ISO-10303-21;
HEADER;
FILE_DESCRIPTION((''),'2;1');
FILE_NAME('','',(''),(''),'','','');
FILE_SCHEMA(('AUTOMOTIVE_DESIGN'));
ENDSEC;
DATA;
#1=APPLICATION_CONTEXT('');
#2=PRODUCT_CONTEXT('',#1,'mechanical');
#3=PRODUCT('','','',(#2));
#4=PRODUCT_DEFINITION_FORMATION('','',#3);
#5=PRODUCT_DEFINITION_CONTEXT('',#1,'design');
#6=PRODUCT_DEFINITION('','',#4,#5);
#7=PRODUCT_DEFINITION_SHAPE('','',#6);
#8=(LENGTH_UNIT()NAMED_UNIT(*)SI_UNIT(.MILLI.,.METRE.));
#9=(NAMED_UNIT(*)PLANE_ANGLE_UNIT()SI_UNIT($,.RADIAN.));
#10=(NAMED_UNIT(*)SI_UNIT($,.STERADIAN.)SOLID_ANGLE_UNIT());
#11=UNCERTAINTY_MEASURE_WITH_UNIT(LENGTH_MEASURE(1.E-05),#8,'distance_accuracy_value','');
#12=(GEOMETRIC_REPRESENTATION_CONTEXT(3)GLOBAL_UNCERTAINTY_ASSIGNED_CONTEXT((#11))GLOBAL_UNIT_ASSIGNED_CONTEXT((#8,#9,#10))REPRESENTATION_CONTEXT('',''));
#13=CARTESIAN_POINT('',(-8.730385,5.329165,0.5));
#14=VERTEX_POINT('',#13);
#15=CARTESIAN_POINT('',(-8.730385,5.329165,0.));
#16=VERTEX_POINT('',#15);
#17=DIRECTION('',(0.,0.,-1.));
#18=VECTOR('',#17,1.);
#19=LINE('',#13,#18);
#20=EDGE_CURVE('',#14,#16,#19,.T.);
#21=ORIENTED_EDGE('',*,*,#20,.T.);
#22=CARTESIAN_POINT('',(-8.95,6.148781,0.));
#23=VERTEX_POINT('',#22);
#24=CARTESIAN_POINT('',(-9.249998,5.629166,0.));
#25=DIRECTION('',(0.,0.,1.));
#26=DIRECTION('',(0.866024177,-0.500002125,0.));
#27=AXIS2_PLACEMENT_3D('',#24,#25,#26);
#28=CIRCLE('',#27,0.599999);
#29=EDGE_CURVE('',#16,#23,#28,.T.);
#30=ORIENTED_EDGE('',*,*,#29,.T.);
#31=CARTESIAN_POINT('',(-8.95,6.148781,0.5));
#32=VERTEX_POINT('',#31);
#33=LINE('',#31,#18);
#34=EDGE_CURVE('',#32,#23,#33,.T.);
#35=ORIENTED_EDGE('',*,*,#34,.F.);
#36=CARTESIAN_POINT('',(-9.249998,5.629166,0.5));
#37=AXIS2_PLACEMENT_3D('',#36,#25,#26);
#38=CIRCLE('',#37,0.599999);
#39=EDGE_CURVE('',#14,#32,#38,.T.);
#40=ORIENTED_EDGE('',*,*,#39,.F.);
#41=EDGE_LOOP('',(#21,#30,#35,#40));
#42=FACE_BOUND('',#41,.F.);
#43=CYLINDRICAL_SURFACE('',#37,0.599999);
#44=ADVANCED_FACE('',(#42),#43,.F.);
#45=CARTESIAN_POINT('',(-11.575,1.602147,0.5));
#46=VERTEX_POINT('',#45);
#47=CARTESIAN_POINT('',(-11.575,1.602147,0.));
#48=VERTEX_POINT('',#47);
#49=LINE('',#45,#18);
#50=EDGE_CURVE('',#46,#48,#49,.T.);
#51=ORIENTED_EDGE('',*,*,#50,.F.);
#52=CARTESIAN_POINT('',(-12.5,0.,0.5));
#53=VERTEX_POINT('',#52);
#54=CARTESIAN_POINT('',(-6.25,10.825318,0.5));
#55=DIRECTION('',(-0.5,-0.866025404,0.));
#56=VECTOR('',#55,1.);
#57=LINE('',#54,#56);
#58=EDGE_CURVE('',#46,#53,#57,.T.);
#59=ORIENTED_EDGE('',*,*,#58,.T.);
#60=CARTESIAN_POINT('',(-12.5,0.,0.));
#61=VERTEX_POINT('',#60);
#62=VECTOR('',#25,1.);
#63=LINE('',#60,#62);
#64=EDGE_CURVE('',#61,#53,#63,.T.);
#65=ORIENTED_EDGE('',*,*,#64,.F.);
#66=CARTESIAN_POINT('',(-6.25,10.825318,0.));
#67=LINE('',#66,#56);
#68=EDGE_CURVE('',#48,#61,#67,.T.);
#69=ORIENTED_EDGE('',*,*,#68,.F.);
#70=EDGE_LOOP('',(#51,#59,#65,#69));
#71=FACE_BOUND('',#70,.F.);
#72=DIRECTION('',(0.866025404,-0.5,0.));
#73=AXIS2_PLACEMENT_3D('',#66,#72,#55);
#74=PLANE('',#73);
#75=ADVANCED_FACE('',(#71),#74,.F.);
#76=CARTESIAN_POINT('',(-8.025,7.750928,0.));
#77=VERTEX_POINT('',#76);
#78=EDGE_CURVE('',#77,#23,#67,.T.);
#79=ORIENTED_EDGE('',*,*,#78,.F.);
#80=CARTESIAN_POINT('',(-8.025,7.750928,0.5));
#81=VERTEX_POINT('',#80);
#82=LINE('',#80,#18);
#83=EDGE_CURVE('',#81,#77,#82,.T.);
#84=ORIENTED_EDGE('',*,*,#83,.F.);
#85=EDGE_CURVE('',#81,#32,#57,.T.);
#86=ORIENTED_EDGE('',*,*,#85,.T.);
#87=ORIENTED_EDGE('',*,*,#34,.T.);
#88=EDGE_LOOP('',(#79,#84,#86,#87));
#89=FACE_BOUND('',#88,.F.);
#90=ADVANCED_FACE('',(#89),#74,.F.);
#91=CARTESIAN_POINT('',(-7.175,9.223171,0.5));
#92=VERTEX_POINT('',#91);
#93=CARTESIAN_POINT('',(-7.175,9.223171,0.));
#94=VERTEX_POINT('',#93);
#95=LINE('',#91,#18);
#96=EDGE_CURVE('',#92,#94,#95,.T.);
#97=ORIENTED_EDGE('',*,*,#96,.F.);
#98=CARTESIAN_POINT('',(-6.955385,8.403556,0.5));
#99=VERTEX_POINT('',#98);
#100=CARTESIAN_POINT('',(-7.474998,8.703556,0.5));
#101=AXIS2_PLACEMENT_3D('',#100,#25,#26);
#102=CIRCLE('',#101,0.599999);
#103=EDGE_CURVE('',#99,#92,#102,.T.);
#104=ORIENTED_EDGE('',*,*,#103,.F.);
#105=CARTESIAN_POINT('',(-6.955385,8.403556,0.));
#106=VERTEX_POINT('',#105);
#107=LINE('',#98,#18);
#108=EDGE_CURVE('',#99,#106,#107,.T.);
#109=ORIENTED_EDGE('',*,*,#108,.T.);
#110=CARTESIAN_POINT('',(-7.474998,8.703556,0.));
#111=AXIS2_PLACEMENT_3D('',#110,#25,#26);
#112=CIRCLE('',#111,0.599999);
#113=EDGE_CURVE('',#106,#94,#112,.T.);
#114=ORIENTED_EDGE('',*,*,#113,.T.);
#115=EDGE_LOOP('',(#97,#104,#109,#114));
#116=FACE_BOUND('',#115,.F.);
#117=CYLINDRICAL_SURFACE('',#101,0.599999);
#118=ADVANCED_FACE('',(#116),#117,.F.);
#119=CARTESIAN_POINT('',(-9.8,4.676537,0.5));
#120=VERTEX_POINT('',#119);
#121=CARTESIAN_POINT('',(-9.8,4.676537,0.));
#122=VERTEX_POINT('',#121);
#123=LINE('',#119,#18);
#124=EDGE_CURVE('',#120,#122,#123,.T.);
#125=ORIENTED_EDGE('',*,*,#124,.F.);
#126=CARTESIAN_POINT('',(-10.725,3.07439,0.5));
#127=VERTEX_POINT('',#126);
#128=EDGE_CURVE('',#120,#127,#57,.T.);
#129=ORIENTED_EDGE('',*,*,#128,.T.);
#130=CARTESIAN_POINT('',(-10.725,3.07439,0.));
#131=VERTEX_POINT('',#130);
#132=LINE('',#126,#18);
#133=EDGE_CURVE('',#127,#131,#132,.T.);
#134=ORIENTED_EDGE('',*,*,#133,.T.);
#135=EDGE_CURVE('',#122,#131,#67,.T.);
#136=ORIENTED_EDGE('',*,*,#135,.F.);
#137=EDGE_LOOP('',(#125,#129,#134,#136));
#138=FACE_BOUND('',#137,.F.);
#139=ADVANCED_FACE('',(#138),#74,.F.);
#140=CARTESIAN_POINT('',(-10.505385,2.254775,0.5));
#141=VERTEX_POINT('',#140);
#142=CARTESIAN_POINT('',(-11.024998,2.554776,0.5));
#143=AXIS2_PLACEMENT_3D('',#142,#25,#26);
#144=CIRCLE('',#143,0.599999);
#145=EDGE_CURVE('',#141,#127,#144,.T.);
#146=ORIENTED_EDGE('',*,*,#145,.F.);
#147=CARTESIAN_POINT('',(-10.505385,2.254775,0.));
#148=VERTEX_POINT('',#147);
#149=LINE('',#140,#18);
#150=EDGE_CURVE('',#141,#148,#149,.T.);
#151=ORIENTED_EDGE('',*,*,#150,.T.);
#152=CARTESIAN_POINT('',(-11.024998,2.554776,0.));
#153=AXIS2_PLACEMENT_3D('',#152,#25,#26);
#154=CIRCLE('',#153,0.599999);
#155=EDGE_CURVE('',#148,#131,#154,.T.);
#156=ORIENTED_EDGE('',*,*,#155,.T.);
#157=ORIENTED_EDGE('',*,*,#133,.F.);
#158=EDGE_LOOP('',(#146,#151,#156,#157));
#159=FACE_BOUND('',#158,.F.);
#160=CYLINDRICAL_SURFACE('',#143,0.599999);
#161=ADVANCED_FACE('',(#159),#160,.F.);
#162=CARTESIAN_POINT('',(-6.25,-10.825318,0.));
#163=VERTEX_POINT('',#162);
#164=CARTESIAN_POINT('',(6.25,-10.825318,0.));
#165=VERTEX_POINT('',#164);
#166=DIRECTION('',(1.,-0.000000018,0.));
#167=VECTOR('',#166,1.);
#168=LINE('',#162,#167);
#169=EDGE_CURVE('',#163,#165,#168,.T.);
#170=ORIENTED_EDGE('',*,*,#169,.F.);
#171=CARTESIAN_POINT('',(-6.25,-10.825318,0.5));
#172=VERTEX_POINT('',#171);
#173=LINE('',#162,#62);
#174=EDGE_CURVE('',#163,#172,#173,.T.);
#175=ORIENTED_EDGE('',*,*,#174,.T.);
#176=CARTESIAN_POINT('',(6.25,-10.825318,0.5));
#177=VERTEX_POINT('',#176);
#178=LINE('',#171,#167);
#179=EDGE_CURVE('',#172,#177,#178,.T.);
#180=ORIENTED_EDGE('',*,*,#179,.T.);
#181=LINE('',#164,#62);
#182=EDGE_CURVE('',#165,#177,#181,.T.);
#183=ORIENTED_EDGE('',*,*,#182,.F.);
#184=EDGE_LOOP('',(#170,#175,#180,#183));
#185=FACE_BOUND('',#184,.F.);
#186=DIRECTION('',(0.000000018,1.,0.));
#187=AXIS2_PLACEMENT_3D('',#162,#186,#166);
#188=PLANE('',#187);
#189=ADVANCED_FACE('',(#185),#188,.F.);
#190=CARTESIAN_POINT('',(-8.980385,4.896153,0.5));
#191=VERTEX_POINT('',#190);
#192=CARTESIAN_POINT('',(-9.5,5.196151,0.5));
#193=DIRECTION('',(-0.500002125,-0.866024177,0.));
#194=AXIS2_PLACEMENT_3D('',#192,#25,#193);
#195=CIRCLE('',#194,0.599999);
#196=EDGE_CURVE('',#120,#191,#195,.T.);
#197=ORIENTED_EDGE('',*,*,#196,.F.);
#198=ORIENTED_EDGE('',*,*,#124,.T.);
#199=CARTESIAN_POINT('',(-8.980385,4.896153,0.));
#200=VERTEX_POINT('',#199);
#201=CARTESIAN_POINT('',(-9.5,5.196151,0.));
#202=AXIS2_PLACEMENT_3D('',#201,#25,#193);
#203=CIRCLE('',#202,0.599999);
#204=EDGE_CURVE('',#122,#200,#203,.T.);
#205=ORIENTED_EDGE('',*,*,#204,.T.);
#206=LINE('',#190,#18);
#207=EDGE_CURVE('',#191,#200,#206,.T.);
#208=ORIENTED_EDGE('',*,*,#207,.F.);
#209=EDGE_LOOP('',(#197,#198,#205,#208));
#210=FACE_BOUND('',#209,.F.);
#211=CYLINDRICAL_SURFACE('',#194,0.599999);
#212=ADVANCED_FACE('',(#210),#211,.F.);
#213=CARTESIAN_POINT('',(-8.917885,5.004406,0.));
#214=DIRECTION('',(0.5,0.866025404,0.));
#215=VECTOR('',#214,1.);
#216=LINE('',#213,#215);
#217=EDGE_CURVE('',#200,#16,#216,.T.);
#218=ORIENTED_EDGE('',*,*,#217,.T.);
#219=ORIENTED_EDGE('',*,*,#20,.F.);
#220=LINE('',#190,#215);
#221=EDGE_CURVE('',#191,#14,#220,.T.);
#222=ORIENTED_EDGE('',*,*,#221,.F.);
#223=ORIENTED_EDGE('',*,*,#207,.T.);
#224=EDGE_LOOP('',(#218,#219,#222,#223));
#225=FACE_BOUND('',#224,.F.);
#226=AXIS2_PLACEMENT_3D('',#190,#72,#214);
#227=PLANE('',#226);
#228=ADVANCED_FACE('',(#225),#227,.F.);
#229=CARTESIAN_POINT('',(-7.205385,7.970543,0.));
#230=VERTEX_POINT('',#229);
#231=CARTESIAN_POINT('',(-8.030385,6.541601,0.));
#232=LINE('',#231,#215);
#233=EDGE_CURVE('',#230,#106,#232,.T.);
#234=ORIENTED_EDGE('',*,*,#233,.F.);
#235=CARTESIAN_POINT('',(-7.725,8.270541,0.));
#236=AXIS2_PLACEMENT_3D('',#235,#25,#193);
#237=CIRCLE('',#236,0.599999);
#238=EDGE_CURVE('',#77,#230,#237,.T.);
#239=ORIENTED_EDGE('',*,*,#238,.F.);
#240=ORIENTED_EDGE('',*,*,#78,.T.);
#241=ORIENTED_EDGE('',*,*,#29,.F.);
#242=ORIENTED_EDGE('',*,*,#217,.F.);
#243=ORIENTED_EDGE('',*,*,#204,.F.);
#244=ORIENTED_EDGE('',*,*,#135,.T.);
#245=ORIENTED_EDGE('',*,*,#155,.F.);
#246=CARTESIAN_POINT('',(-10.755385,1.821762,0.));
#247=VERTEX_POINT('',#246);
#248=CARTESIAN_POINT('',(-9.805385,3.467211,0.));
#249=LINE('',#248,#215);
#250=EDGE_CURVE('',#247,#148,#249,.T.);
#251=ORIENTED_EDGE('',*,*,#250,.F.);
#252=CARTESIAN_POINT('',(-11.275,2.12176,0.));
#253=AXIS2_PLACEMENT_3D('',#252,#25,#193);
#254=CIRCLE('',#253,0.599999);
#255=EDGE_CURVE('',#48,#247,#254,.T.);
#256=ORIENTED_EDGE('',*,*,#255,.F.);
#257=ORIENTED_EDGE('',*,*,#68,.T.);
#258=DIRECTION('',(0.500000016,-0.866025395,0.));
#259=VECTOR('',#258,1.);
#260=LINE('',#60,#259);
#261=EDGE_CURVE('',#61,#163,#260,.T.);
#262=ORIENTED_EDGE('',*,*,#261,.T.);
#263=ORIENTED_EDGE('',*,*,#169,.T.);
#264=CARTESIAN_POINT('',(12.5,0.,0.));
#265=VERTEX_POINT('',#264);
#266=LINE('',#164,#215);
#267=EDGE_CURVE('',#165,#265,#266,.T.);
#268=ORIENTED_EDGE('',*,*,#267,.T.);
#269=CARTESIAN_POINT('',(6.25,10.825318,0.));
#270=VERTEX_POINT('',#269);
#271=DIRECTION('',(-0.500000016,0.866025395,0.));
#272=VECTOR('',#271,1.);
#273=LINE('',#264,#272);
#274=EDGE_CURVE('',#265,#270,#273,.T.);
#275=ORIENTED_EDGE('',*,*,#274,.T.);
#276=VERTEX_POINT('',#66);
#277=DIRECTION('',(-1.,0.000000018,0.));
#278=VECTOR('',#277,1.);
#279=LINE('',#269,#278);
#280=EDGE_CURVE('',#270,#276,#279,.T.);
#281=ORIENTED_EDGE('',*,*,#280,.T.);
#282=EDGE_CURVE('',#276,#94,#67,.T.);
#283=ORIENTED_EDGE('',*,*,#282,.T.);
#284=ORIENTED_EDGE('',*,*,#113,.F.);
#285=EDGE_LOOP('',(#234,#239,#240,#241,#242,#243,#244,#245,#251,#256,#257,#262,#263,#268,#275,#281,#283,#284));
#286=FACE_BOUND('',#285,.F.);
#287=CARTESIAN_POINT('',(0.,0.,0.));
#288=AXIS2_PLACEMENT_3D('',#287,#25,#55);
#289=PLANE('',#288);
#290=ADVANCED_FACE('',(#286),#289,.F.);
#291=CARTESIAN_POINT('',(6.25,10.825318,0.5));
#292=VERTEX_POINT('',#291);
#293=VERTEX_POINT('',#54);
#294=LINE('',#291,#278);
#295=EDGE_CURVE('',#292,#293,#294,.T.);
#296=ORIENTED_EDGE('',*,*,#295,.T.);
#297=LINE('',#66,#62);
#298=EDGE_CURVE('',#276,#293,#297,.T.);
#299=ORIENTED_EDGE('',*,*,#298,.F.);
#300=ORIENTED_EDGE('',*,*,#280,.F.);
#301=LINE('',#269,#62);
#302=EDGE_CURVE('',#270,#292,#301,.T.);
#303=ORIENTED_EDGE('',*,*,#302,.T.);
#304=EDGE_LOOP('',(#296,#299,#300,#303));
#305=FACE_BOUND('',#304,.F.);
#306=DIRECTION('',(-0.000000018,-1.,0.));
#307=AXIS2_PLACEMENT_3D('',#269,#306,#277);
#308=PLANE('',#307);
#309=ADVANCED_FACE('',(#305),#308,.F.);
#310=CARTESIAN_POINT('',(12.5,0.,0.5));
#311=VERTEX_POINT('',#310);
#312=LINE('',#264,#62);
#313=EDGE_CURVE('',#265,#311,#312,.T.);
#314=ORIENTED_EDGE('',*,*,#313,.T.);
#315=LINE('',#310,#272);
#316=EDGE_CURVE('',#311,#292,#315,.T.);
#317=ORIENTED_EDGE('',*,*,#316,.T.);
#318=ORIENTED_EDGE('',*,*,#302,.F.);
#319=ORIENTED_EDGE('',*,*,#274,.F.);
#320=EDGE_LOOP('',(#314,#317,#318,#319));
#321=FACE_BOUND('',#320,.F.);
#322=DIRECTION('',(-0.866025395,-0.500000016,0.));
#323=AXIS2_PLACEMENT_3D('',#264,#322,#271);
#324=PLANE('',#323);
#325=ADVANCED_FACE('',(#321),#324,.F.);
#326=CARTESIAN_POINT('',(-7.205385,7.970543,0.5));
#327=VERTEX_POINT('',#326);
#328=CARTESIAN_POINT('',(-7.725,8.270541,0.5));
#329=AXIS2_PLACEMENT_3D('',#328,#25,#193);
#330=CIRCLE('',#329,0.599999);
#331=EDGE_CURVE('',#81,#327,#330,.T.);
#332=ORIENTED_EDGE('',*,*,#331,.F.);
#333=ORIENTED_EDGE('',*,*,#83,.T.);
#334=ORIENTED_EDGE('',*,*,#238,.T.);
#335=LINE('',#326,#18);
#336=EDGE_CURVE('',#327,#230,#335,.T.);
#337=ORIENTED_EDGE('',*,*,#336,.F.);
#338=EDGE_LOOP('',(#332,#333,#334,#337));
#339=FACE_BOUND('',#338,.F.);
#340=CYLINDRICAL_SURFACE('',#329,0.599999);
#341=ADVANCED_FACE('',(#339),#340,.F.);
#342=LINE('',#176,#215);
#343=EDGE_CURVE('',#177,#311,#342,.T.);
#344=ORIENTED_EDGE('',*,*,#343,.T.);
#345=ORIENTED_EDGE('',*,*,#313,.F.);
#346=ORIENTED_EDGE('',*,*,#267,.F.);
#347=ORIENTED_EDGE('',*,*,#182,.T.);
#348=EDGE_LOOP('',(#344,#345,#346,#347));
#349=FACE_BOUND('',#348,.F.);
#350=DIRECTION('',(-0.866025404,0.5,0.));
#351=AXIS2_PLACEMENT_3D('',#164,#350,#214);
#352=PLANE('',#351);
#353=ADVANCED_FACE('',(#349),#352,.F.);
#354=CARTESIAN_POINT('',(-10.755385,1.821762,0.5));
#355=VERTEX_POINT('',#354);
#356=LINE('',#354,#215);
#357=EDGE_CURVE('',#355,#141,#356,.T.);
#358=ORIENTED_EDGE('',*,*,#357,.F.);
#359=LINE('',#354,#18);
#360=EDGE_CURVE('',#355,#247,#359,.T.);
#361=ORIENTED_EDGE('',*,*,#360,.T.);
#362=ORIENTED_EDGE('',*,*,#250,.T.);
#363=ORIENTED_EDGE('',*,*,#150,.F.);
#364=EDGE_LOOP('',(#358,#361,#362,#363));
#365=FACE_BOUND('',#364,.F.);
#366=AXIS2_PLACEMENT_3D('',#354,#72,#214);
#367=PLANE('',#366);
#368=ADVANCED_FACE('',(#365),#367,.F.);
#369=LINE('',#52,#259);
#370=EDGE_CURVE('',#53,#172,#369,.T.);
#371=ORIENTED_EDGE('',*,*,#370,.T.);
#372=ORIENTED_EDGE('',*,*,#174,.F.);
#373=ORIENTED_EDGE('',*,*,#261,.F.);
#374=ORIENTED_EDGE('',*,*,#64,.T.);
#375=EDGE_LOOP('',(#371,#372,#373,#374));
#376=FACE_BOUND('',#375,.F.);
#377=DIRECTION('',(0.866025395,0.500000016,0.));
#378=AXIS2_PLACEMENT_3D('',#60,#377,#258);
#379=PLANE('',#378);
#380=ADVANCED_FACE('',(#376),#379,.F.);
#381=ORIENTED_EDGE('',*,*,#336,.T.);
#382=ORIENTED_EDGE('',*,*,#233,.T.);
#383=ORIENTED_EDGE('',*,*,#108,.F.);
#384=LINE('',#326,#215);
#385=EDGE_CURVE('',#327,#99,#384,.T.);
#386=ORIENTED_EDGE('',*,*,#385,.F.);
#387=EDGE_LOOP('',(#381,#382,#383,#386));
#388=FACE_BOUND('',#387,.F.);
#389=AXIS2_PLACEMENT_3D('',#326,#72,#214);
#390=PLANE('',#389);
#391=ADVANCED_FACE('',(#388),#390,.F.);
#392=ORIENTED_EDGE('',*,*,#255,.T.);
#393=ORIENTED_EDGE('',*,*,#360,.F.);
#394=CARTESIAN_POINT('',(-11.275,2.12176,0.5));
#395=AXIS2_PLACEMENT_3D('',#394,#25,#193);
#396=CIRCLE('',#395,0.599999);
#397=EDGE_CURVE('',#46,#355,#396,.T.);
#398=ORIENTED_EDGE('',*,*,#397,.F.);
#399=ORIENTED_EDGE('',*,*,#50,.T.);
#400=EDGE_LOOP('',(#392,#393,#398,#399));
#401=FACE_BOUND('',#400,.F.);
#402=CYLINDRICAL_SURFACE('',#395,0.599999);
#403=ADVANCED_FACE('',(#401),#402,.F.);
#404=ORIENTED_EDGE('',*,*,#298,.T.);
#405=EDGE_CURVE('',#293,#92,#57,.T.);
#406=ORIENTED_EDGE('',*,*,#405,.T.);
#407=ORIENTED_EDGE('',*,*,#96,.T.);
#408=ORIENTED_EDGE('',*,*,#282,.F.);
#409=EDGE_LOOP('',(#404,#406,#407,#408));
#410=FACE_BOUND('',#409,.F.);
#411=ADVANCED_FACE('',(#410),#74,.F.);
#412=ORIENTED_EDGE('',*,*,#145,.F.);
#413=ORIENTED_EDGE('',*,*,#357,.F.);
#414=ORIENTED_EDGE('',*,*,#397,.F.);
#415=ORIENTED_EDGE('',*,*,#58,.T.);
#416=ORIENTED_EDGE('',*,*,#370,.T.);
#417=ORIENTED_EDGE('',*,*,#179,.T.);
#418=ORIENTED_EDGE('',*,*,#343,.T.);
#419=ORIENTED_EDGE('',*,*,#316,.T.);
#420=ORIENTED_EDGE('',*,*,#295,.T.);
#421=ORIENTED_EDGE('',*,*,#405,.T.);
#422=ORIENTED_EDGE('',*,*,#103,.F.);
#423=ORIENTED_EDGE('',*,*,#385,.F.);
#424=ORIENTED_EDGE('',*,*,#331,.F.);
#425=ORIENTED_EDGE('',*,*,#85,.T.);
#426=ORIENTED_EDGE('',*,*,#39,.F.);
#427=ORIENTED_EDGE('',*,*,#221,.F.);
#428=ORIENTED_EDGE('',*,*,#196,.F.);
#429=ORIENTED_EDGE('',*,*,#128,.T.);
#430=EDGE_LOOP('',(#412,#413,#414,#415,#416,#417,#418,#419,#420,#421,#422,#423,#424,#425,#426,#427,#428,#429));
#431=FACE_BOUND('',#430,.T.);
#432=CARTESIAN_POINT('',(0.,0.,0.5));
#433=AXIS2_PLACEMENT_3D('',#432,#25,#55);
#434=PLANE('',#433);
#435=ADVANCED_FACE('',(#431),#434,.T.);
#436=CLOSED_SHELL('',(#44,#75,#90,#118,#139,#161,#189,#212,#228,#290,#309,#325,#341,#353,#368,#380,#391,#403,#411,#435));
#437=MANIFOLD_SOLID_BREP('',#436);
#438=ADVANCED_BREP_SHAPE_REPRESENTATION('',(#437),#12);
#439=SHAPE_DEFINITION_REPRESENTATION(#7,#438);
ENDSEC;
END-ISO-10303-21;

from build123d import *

# Parameters (mm, degrees)
F1_DEPTH = 0.5
F3_DEPTH = 0.501
F5_ANGLE = 240


with BuildPart() as f1:
    # F0 (on Top) → F1 (new body)
    with BuildSketch(Plane.XY):
        Polygon((6.25, -10.825318), (12.5, 0), (6.25, 10.825318), (-6.25, 10.825318), (-12.5, 0), (-6.25, -10.825318), align=None)
    extrude(amount=F1_DEPTH)

    # F2 (on face) → F3 (cut, through all)
    with BuildSketch(Plane.XY.offset(0.5)):
        with BuildLine():
            ThreePointArc((4.4, -10.825318), (4.224264, -10.401053), (3.8, -10.225318))
            Line((3.8, -10.225318), (3.3, -10.225318))
            ThreePointArc((3.3, -10.225318), (2.875736, -10.401053), (2.7, -10.825318))
            Line((2.7, -10.825318), (4.4, -10.825318))
        make_face()
        with BuildLine():
            ThreePointArc((0.85, -10.825318), (0.674264, -10.401053), (0.25, -10.225318))
            Line((0.25, -10.225318), (-0.25, -10.225318))
            ThreePointArc((-0.25, -10.225318), (-0.674264, -10.401053), (-0.85, -10.825318))
            Line((-0.85, -10.825318), (0.85, -10.825318))
        make_face()
        with BuildLine():
            ThreePointArc((-2.7, -10.825318), (-2.875736, -10.401053), (-3.3, -10.225318))
            Line((-3.3, -10.225318), (-3.8, -10.225318))
            ThreePointArc((-3.8, -10.225318), (-4.224264, -10.401053), (-4.4, -10.825318))
            Line((-4.4, -10.825318), (-2.7, -10.825318))
        make_face()
    extrude(amount=-F3_DEPTH, mode=Mode.SUBTRACT)


with BuildPart() as f1_1:
    # F5: moved
    add(f1.part.rotate(Axis((0, 0, -0.899577), (0, 0, 1)), F5_ANGLE))


solid = f1_1.part
